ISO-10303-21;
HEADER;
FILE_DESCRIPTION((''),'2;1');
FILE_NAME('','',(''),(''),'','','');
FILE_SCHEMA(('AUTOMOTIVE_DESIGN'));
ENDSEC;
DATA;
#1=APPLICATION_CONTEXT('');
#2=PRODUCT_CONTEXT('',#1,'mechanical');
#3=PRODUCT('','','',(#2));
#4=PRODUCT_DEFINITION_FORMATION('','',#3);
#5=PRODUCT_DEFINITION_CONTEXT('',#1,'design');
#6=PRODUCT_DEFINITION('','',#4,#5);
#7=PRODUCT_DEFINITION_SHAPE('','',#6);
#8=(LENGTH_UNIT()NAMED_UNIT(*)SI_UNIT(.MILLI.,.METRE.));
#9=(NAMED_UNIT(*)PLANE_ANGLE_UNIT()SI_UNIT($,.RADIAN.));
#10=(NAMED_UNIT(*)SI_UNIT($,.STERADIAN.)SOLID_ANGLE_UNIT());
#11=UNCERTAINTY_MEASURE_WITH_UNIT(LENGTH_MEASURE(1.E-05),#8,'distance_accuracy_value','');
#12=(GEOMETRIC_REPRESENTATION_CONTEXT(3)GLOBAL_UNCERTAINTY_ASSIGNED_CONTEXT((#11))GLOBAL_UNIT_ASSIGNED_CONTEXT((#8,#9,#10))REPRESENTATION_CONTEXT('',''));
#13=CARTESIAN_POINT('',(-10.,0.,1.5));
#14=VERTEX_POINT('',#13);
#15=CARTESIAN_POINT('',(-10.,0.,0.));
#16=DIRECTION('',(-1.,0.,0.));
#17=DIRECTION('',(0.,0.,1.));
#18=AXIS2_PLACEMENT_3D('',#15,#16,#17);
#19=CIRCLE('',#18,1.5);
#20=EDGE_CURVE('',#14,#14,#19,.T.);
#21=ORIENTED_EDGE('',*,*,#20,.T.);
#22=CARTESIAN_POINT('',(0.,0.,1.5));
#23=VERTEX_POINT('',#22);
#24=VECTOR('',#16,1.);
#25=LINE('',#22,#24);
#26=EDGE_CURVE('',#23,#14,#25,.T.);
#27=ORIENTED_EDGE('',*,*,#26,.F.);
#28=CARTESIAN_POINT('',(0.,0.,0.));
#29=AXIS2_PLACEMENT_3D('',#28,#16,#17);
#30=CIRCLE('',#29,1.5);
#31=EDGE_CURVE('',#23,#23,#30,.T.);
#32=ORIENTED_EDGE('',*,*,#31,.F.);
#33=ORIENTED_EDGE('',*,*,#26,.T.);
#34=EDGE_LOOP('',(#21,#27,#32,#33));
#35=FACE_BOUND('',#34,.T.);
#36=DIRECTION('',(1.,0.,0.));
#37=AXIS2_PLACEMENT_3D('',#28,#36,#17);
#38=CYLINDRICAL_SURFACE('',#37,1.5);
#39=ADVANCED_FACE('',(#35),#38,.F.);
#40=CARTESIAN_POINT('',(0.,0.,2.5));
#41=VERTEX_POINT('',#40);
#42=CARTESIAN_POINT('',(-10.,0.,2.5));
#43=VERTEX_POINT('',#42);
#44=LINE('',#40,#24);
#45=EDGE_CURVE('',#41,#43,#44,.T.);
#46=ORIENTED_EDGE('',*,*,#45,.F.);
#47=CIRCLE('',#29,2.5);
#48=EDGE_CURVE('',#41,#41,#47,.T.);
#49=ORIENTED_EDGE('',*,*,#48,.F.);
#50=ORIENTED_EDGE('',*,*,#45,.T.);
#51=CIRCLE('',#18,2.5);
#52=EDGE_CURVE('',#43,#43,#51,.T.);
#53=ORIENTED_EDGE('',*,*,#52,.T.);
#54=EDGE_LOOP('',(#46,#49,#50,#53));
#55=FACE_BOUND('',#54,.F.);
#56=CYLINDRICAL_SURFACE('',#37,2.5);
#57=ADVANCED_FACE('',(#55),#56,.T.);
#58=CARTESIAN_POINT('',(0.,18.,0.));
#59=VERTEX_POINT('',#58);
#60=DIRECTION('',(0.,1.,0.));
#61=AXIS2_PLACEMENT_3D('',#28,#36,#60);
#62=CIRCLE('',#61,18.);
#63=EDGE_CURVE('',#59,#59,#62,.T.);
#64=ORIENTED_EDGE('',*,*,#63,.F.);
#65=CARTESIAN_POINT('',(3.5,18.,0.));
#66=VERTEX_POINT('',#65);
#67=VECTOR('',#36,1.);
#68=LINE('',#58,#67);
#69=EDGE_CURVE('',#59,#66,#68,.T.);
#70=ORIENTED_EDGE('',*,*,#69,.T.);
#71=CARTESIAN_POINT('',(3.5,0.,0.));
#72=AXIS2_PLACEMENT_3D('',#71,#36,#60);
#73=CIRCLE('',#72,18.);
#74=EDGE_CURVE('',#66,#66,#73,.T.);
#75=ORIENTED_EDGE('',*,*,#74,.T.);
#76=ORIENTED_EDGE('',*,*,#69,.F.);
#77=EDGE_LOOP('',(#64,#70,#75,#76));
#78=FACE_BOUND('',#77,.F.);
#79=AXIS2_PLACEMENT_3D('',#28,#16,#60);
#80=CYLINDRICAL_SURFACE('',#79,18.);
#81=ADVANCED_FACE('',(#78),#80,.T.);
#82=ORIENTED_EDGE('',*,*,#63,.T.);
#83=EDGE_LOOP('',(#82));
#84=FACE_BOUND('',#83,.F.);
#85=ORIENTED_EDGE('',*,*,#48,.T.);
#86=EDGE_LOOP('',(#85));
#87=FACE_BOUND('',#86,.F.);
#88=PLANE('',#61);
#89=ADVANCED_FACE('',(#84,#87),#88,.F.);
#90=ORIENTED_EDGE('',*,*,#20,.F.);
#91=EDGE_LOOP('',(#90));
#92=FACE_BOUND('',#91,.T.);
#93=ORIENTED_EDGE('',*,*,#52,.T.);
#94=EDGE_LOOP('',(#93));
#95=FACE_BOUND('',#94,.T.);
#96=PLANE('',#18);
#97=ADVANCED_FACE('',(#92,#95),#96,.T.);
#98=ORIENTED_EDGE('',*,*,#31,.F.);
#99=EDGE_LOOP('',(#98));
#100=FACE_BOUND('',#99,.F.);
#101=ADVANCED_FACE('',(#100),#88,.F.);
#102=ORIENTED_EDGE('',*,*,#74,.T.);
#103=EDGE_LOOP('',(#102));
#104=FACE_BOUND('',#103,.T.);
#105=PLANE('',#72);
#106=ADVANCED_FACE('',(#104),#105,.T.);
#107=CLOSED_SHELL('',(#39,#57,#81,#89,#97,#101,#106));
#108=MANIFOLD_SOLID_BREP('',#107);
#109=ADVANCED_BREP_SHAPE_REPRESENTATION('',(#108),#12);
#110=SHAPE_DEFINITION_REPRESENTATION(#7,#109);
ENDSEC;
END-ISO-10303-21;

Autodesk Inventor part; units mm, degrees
ref_plane "YZ Plane" through (0, 0, 0) normal (1, 0, 0) x (0, 1, 0)
ref_plane "XZ Plane" through (0, 0, 0) normal (0, 1, 0) x (-1, 0, 0)
ref_plane "XY Plane" through (0, 0, 0) normal (0, 0, 1) x (1, 0, 0)
sketch "スケッチ1" plane through (0, 0, 0) normal (1, 0, 0) x (0, 1, 0)
  circle A0 centre (0, 0) radius 18
  dimension "d0" = 36
extrude "押し出し1" add sketch "スケッチ1" along normal blind 3.5
sketch "スケッチ2" plane through (0, 0, 0) normal (-1, 0, 0) x (0, 0, 1)
  circle A0 centre (0, 0) radius 1.5
  circle A1 centre (0, 0) radius 2.5
  dimension "d3" = 3
  dimension "d4" = 5
extrude "押し出し2" add sketch "スケッチ2" along normal blind 10
properties part number "tire" material "ゴム"
